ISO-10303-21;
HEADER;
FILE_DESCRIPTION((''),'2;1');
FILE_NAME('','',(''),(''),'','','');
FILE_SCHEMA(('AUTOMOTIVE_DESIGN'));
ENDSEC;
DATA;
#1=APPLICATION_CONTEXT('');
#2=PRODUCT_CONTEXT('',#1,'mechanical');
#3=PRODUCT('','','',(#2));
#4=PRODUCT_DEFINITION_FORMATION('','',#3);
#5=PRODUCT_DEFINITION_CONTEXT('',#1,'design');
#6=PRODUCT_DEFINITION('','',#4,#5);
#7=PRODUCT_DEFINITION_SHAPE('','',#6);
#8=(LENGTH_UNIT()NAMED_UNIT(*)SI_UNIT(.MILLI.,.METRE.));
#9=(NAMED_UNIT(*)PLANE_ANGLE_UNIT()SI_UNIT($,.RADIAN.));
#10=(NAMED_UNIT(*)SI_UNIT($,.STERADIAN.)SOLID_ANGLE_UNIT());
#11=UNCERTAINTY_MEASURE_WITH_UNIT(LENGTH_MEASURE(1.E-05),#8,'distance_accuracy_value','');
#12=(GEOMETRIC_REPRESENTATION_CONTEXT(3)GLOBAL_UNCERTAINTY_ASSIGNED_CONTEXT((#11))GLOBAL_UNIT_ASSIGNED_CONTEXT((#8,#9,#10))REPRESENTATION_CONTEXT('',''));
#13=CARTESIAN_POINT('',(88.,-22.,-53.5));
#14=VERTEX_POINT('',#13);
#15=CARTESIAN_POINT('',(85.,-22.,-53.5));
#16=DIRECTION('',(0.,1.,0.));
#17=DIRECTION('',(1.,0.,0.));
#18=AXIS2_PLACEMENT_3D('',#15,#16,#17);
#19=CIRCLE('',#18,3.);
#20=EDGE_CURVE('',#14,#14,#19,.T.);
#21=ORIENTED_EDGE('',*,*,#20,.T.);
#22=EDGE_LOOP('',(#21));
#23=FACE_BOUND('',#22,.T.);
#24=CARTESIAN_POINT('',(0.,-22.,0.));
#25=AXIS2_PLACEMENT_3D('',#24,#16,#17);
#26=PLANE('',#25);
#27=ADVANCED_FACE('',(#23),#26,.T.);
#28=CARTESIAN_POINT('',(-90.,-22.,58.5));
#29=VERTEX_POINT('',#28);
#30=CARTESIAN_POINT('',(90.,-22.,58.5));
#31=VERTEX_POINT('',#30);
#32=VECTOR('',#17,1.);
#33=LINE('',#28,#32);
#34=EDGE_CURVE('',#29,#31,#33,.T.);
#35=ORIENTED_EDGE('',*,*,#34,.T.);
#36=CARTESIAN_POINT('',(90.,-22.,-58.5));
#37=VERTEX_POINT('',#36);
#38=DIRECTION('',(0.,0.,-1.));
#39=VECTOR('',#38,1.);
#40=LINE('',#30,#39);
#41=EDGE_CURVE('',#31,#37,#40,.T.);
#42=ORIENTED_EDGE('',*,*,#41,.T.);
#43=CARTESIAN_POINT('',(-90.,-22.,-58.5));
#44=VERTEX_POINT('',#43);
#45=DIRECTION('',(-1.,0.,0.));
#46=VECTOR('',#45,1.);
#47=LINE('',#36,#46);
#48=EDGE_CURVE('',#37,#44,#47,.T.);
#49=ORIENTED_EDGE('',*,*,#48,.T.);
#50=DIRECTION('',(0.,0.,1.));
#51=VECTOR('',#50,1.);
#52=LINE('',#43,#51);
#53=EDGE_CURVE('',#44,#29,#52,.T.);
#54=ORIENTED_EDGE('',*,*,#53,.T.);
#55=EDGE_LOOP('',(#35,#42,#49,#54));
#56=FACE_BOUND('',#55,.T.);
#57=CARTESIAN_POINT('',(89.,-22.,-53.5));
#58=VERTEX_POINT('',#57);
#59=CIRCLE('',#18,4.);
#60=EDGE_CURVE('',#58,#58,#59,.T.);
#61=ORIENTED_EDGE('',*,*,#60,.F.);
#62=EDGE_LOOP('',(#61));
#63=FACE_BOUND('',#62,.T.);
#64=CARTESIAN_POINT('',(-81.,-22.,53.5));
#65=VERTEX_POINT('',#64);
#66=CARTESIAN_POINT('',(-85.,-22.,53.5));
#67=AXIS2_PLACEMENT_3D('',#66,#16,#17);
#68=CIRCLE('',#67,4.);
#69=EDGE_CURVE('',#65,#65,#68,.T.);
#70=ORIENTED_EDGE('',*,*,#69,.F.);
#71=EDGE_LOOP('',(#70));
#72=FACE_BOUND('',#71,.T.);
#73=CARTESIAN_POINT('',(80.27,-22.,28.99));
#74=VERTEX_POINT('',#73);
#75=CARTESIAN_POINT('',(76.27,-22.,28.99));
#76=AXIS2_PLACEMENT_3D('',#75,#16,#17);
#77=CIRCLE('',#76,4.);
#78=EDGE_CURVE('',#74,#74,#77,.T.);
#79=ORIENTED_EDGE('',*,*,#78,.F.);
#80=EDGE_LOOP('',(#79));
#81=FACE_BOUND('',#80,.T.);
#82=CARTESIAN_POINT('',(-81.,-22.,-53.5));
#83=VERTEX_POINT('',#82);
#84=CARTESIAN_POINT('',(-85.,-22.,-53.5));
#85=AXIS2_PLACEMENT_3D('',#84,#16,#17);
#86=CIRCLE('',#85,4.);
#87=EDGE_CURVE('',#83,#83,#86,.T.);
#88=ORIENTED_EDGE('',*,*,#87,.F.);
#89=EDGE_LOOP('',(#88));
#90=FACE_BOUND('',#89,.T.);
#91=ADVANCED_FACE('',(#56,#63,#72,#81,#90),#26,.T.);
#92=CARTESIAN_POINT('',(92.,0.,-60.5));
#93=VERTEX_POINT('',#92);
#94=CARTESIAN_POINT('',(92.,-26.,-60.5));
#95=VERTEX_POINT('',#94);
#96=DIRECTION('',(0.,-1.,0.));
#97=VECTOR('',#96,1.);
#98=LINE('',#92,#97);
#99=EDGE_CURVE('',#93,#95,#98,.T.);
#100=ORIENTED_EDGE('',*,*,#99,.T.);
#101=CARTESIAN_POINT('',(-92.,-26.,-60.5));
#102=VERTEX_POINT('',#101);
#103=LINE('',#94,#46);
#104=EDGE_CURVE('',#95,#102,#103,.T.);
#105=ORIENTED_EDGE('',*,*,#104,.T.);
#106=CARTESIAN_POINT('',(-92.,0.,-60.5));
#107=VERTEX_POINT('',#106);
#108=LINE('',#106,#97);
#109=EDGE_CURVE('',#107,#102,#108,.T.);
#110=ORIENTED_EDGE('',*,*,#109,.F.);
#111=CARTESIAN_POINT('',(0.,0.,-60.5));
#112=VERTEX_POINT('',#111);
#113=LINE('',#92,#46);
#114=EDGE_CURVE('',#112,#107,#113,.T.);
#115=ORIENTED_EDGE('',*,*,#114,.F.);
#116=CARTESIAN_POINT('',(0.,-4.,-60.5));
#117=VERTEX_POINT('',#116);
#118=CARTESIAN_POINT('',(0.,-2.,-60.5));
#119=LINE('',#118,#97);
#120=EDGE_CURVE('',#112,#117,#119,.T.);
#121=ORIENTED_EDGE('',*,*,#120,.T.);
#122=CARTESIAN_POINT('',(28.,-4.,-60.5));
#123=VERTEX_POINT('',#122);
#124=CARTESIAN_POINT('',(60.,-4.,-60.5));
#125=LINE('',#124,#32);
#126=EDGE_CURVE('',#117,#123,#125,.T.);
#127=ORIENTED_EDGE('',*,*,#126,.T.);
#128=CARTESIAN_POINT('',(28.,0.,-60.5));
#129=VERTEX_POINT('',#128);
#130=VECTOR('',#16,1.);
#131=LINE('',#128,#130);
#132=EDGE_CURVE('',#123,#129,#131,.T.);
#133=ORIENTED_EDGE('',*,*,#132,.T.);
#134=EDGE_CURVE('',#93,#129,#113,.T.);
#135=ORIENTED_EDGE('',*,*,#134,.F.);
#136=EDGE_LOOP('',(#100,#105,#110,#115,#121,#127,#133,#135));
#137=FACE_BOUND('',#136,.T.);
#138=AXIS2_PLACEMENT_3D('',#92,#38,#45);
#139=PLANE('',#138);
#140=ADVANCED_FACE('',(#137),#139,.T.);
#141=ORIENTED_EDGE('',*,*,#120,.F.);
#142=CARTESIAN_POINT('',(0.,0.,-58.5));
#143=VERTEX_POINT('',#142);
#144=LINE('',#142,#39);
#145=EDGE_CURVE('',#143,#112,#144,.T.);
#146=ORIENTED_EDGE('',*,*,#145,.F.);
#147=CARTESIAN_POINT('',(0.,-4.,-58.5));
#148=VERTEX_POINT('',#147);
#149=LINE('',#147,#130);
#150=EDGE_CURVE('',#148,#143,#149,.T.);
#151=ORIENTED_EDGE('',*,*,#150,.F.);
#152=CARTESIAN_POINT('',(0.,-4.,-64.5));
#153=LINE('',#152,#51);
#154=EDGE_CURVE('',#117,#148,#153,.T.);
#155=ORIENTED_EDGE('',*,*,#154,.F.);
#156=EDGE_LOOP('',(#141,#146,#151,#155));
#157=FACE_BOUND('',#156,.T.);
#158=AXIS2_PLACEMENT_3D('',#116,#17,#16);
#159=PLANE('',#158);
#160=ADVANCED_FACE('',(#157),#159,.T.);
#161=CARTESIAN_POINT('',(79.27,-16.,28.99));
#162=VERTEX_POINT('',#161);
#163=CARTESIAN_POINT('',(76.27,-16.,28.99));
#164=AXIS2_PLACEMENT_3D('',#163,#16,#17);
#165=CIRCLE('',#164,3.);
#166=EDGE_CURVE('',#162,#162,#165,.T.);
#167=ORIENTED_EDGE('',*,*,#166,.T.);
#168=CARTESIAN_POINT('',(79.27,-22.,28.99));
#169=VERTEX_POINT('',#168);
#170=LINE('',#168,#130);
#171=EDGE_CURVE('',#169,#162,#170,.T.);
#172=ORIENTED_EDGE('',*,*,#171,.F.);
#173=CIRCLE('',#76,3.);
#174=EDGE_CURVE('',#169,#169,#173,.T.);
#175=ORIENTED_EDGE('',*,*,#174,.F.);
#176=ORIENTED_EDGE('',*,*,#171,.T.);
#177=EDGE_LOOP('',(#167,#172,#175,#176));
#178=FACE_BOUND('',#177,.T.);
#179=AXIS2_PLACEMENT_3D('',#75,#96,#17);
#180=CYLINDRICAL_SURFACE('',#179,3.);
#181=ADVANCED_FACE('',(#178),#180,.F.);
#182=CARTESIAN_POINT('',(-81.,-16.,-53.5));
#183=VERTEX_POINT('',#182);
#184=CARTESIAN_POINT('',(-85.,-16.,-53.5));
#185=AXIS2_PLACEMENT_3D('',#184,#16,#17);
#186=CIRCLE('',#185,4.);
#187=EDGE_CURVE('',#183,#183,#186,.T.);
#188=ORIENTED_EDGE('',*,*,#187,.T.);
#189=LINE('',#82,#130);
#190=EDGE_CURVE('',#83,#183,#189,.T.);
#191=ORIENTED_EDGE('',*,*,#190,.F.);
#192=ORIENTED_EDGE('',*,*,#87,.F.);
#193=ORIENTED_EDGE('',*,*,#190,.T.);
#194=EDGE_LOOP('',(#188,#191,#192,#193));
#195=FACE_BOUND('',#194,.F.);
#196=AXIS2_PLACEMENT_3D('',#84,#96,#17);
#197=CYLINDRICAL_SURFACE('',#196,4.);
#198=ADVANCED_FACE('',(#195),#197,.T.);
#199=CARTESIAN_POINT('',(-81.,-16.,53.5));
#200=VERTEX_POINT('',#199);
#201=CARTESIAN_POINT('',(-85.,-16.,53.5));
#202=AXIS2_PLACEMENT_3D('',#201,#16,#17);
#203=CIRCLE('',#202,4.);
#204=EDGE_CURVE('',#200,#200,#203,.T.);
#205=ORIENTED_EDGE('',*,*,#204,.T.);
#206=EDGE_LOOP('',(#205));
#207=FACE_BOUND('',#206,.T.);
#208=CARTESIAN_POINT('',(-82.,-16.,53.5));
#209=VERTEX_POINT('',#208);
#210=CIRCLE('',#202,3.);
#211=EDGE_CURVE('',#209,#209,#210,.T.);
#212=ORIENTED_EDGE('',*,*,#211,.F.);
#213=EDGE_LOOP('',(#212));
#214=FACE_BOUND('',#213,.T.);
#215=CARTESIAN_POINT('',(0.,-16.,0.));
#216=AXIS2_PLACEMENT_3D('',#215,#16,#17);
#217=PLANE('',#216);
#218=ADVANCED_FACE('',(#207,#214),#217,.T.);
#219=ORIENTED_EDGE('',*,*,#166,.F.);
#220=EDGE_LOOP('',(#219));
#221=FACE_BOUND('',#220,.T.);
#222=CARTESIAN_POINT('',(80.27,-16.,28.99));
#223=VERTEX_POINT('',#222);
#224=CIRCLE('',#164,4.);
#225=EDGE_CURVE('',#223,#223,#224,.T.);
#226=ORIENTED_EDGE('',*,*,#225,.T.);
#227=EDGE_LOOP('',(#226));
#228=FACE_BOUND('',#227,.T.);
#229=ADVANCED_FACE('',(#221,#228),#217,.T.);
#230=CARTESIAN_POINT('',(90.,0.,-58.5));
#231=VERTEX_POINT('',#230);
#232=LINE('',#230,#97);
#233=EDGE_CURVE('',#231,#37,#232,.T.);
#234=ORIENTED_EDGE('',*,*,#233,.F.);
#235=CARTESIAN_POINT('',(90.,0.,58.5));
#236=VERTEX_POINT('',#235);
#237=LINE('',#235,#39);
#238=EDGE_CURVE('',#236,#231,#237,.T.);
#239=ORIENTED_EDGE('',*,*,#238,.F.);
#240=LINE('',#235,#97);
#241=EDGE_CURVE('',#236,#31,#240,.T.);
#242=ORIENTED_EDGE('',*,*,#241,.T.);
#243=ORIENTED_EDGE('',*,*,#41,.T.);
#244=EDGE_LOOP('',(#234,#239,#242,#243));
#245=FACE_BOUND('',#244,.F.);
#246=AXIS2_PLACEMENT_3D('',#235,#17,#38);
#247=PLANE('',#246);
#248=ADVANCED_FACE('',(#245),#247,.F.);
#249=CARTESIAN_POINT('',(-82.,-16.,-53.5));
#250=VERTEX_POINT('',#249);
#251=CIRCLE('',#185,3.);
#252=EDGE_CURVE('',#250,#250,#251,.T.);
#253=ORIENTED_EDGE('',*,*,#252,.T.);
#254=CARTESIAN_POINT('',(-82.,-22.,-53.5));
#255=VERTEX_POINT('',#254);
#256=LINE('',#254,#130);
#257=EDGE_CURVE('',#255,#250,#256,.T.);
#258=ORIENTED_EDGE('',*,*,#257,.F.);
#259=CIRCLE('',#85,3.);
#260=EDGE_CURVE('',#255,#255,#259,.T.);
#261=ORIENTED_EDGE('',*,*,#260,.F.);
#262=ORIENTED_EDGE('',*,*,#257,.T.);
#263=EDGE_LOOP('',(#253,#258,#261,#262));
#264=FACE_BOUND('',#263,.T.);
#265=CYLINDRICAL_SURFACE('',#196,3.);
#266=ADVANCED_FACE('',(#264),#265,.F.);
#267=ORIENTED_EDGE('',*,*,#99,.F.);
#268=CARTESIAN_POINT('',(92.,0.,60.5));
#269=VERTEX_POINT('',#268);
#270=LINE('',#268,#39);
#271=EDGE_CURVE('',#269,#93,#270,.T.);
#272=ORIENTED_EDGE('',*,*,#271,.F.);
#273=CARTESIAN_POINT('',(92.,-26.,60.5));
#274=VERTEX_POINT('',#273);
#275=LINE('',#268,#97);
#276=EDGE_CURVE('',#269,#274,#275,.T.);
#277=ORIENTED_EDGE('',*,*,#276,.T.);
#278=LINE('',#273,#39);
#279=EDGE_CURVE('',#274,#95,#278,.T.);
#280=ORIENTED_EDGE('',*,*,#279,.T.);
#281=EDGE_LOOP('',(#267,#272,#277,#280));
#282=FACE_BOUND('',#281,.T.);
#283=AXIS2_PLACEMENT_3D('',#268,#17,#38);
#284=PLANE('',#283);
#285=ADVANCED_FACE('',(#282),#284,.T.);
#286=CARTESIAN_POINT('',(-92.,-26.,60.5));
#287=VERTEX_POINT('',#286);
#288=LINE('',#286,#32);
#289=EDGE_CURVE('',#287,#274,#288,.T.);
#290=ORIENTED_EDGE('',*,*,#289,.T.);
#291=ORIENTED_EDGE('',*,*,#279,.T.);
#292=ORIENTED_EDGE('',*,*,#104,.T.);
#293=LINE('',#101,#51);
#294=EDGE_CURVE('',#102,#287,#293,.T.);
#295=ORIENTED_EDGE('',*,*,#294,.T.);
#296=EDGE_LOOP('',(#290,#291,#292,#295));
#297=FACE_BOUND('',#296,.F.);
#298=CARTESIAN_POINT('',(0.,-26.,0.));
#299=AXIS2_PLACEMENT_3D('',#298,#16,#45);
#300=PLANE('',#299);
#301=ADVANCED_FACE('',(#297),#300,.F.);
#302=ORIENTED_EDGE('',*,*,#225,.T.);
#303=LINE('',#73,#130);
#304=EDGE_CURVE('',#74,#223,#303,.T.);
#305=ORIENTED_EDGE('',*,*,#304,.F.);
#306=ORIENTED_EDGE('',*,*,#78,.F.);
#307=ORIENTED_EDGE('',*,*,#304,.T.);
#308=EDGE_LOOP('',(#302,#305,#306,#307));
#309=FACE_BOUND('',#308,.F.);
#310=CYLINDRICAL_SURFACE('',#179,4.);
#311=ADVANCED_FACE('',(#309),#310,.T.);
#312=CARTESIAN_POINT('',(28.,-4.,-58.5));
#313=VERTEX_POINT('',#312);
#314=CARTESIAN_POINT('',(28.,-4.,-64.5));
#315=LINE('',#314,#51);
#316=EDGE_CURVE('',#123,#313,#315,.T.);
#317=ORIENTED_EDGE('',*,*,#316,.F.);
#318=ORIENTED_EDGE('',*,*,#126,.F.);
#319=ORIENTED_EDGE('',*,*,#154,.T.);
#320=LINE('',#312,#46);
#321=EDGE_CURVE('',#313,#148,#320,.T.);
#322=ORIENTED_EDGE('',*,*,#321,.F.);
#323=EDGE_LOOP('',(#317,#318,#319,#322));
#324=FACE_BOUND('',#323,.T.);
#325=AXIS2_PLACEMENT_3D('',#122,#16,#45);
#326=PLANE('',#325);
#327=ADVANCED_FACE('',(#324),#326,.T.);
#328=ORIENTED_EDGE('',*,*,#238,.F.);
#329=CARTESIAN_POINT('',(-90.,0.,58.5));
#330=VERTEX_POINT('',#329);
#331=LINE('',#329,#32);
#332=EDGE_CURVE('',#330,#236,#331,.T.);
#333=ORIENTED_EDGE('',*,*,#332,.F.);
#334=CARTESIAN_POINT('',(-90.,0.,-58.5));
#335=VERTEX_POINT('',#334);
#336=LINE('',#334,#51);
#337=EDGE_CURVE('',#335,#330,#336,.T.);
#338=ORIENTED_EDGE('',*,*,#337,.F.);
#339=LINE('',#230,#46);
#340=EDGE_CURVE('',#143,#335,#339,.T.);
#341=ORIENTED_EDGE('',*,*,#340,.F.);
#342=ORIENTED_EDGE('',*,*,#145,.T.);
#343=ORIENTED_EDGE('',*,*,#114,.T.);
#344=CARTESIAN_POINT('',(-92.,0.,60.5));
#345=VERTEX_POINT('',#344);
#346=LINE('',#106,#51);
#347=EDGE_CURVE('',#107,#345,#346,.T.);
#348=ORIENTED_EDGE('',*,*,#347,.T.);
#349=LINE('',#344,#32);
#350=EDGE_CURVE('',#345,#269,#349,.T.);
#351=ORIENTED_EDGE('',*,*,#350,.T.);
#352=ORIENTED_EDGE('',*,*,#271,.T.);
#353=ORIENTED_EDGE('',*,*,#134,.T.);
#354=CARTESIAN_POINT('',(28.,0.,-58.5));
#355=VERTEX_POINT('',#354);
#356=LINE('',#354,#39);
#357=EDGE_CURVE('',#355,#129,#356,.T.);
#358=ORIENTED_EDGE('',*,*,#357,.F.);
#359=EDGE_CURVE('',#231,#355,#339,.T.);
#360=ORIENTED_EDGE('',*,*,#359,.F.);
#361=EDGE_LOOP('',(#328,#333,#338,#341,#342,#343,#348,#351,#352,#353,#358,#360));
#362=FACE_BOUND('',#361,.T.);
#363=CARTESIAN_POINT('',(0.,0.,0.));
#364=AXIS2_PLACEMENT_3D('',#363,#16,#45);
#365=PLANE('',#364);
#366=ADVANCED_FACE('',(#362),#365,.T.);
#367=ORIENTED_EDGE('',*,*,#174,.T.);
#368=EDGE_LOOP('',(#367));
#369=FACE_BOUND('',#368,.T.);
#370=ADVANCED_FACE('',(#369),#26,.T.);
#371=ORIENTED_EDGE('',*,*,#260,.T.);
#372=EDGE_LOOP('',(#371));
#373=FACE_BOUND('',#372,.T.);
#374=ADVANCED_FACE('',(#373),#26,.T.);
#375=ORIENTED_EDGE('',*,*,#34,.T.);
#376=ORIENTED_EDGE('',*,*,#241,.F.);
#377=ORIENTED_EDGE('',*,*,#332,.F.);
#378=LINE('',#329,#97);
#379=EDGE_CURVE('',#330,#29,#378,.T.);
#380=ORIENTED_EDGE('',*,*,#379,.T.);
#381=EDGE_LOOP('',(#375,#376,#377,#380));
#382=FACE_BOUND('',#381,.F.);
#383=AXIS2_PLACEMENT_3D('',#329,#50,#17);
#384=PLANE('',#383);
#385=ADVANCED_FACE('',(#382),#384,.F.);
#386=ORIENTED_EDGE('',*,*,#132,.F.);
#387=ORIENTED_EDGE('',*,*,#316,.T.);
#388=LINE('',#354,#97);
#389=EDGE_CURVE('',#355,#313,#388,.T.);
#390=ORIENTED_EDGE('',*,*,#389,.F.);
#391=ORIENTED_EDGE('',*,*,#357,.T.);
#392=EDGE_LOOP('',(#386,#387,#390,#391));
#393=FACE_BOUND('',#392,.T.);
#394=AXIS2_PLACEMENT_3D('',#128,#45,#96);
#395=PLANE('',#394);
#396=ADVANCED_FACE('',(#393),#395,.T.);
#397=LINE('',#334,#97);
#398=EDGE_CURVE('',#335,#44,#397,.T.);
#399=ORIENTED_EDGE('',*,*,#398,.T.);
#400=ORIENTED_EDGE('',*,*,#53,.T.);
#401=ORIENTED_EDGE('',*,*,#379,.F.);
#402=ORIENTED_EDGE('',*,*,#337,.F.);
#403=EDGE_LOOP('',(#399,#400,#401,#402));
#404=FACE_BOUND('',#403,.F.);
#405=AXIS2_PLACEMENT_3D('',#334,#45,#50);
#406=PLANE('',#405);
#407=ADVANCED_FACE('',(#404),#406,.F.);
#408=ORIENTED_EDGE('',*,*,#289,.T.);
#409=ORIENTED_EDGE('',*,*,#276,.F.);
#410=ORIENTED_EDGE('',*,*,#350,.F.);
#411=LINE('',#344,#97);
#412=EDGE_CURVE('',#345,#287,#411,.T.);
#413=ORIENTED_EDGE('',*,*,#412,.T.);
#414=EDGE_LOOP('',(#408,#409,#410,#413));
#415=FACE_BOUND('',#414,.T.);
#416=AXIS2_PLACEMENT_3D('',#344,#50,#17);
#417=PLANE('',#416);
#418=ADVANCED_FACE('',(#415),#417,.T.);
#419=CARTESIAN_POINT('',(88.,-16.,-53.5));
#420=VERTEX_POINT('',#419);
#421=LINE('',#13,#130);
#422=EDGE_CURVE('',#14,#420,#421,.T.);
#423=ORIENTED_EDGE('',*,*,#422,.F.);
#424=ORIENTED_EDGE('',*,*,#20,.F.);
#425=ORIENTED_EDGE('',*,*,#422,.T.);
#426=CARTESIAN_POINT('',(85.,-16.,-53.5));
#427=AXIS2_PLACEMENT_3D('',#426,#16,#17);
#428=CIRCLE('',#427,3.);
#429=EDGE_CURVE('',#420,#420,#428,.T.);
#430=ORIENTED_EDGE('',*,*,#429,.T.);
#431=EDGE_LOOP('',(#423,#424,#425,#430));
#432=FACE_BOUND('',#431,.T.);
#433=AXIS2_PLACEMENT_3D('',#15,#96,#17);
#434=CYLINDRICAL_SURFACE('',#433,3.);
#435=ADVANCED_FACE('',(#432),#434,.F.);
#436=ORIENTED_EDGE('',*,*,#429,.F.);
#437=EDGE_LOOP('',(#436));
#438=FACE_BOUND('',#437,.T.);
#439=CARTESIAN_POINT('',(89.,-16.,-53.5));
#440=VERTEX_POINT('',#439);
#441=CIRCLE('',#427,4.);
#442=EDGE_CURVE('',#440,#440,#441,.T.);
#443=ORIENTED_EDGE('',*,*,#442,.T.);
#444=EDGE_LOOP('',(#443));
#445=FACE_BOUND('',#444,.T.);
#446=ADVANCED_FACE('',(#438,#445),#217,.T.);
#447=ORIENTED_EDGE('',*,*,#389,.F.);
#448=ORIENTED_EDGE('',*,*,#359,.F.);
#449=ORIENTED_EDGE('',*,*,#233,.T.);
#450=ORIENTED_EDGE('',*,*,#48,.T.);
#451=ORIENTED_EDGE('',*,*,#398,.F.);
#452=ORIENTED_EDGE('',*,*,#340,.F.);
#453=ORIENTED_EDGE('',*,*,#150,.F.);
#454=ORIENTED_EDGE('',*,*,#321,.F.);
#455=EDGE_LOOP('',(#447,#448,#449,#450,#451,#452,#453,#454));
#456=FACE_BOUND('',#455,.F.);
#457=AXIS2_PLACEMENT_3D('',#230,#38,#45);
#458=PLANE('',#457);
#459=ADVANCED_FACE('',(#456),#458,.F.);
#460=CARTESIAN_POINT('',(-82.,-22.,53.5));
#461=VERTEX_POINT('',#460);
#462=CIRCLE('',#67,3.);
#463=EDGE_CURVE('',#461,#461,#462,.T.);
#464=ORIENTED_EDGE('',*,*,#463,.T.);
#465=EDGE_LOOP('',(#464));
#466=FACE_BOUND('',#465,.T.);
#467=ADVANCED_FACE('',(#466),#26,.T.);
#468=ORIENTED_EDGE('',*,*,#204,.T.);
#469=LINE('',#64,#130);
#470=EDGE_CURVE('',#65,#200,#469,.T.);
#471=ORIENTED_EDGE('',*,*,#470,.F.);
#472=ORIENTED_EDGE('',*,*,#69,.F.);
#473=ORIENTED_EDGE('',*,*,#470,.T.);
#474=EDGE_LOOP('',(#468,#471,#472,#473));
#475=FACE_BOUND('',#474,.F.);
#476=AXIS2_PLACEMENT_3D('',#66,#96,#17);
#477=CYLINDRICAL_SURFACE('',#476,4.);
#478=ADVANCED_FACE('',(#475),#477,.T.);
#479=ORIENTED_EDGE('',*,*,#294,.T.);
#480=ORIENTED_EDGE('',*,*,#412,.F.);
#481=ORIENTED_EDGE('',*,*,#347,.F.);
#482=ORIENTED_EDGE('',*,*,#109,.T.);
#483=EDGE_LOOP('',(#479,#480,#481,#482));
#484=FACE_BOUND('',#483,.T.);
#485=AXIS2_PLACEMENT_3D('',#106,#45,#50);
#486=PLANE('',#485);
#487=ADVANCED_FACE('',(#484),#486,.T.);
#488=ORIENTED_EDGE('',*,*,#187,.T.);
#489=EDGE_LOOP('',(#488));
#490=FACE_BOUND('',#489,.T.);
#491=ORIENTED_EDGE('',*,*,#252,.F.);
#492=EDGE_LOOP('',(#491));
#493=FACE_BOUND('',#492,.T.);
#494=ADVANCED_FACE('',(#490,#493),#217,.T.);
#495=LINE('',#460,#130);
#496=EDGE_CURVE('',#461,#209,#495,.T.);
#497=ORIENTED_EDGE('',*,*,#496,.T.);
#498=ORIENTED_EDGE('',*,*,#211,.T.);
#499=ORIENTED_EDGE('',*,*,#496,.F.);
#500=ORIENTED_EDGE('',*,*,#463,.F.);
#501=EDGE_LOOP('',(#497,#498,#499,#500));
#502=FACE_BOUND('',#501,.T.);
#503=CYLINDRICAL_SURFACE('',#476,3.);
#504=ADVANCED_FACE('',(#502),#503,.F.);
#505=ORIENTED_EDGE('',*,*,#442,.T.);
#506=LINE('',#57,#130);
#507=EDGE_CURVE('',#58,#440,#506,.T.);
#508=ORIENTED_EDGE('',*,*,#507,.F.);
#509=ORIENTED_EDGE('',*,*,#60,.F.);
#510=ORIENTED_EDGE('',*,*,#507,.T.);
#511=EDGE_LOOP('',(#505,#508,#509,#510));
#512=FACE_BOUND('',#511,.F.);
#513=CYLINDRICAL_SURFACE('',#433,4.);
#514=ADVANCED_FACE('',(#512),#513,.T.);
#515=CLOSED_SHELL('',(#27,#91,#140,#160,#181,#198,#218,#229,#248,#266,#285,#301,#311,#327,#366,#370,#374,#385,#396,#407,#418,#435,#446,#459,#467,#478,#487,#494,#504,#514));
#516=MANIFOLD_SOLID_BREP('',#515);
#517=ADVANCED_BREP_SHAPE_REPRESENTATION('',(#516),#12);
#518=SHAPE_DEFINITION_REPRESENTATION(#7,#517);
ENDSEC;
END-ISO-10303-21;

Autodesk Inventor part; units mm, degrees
ref_plane "YZ Plane" through (0, 0, 0) normal (1, 0, 0) x (0, 1, 0)
ref_plane "XZ Plane" through (0, 0, 0) normal (0, 1, 0) x (-1, 0, 0)
ref_plane "XY Plane" through (0, 0, 0) normal (0, 0, 1) x (1, 0, 0)
sketch "Base" plane through (0, 0, 0) normal (0, 1, 0) x (-1, 0, 0)
  line L0 (92, 60.5) -> (-92, 60.5)
  line L1 (-92, 60.5) -> (-92, -60.5)
  line L2 (-92, -60.5) -> (92, -60.5)
  line L3 (92, -60.5) -> (92, 60.5)
  line L4 (92, 60.5) -> (-92, -60.5) construction
  line L5 (-92, 60.5) -> (92, -60.5) construction
  point P0 (0, 0)
  dimension "d0" = 184
  dimension "d1" = 121
extrude "Base - Estrutura" add sketch "Base" against normal blind 26
sketch "Esboço2" plane through (0, 0, 0) normal (0, 1, 0) x (1, 0, 0)
  line L0 (-90, -58.5) -> (90, -58.5)
  line L1 (90, -58.5) -> (90, 58.5)
  line L2 (90, 58.5) -> (-90, 58.5)
  line L3 (-90, 58.5) -> (-90, -58.5)
  line L4 (-90, -58.5) -> (90, 58.5) construction
  line L5 (90, -58.5) -> (-90, 58.5) construction
  point P0 (0, 0)
  dimension "d4" = 180
  dimension "d5" = 117
extrude "Base Interna" cut sketch "Esboço2" against normal blind 22
sketch "Esboço3" plane through (0, -22, 0) normal (0, 1, 0) x (1, 0, 0)
  circle A0 centre (-85, -53.5) radius 4
  line L0 (-92, 60.5) -> (-92, -60.5) projected
  line L1 (-92, -60.5) -> (92, -60.5) projected
  circle A1 centre (-85, -53.5) radius 3
  line L2 (-90, -58.5) -> (-90, 58.5) projected
  line L3 (90, 58.5) -> (90, -58.5) projected
  circle A2 centre (-85, 53.5) radius 4
  circle A3 centre (-85, 53.5) radius 3
  line L4 (-90, 58.5) -> (90, 58.5) projected
  line L5 (90, -58.5) -> (-90, -58.5) projected
  circle A4 centre (85, 53.5) radius 3
  circle A5 centre (85, 53.5) radius 4
  line L6 (92, -60.5) -> (92, 60.5) projected
  line L7 (92, 60.5) -> (-92, 60.5) projected
  circle A6 centre (76.27, -28.99) radius 4
  circle A7 centre (76.27, -28.99) radius 3
  point P0 (0, 0)
  dimension "d8" = 8
  dimension "d9" = 7
  dimension "d10" = 7
  dimension "d11" = 6
  dimension "d12" = 7
  dimension "d13" = 7
  dimension "d14" = 8
  dimension "d15" = 31.51
  dimension "d16" = 15.73
  dimension "d17" = 6
  dimension "d29" = 6
  dimension "d30" = 8
  dimension "d31" = 8
  dimension "d32" = 6
extrude "Furos do Pino Guia" add sketch "Esboço3" along normal blind 6 contours A0 | A2 | A5 | A6
sketch "Esboço4" plane through (92, 0, -60.5) normal (0, 0, -1) x (-1, 0, 0)
  line L0 (92, 0) -> (64, 0)
  line L1 (64, 0) -> (64, -4)
  line L2 (64, -4) -> (92, -4)
  line L3 (92, -4) -> (92, 0)
  line L4 (92, 0) -> (64, -4) construction
  line L5 (64, 0) -> (92, -4) construction
  line L6 (184, 0) -> (184, -26) projected
  line L7 (0, 0) -> (184, 0) projected
  line L8 (184, -26) -> (0, -26) projected
  point P0 (92, 0)
  point P1 (78, -2)
  point P2 (64, -2)
  dimension "d20" = 120
  dimension "d21" = 28
  dimension "d22" = 0
  dimension "d24" = 4
extrude "Chaveta para USB-C ESP32" cut sketch "Esboço4" along normal blind 4 and the other way blind 2
properties part number "base_traseira_3DPrint"
